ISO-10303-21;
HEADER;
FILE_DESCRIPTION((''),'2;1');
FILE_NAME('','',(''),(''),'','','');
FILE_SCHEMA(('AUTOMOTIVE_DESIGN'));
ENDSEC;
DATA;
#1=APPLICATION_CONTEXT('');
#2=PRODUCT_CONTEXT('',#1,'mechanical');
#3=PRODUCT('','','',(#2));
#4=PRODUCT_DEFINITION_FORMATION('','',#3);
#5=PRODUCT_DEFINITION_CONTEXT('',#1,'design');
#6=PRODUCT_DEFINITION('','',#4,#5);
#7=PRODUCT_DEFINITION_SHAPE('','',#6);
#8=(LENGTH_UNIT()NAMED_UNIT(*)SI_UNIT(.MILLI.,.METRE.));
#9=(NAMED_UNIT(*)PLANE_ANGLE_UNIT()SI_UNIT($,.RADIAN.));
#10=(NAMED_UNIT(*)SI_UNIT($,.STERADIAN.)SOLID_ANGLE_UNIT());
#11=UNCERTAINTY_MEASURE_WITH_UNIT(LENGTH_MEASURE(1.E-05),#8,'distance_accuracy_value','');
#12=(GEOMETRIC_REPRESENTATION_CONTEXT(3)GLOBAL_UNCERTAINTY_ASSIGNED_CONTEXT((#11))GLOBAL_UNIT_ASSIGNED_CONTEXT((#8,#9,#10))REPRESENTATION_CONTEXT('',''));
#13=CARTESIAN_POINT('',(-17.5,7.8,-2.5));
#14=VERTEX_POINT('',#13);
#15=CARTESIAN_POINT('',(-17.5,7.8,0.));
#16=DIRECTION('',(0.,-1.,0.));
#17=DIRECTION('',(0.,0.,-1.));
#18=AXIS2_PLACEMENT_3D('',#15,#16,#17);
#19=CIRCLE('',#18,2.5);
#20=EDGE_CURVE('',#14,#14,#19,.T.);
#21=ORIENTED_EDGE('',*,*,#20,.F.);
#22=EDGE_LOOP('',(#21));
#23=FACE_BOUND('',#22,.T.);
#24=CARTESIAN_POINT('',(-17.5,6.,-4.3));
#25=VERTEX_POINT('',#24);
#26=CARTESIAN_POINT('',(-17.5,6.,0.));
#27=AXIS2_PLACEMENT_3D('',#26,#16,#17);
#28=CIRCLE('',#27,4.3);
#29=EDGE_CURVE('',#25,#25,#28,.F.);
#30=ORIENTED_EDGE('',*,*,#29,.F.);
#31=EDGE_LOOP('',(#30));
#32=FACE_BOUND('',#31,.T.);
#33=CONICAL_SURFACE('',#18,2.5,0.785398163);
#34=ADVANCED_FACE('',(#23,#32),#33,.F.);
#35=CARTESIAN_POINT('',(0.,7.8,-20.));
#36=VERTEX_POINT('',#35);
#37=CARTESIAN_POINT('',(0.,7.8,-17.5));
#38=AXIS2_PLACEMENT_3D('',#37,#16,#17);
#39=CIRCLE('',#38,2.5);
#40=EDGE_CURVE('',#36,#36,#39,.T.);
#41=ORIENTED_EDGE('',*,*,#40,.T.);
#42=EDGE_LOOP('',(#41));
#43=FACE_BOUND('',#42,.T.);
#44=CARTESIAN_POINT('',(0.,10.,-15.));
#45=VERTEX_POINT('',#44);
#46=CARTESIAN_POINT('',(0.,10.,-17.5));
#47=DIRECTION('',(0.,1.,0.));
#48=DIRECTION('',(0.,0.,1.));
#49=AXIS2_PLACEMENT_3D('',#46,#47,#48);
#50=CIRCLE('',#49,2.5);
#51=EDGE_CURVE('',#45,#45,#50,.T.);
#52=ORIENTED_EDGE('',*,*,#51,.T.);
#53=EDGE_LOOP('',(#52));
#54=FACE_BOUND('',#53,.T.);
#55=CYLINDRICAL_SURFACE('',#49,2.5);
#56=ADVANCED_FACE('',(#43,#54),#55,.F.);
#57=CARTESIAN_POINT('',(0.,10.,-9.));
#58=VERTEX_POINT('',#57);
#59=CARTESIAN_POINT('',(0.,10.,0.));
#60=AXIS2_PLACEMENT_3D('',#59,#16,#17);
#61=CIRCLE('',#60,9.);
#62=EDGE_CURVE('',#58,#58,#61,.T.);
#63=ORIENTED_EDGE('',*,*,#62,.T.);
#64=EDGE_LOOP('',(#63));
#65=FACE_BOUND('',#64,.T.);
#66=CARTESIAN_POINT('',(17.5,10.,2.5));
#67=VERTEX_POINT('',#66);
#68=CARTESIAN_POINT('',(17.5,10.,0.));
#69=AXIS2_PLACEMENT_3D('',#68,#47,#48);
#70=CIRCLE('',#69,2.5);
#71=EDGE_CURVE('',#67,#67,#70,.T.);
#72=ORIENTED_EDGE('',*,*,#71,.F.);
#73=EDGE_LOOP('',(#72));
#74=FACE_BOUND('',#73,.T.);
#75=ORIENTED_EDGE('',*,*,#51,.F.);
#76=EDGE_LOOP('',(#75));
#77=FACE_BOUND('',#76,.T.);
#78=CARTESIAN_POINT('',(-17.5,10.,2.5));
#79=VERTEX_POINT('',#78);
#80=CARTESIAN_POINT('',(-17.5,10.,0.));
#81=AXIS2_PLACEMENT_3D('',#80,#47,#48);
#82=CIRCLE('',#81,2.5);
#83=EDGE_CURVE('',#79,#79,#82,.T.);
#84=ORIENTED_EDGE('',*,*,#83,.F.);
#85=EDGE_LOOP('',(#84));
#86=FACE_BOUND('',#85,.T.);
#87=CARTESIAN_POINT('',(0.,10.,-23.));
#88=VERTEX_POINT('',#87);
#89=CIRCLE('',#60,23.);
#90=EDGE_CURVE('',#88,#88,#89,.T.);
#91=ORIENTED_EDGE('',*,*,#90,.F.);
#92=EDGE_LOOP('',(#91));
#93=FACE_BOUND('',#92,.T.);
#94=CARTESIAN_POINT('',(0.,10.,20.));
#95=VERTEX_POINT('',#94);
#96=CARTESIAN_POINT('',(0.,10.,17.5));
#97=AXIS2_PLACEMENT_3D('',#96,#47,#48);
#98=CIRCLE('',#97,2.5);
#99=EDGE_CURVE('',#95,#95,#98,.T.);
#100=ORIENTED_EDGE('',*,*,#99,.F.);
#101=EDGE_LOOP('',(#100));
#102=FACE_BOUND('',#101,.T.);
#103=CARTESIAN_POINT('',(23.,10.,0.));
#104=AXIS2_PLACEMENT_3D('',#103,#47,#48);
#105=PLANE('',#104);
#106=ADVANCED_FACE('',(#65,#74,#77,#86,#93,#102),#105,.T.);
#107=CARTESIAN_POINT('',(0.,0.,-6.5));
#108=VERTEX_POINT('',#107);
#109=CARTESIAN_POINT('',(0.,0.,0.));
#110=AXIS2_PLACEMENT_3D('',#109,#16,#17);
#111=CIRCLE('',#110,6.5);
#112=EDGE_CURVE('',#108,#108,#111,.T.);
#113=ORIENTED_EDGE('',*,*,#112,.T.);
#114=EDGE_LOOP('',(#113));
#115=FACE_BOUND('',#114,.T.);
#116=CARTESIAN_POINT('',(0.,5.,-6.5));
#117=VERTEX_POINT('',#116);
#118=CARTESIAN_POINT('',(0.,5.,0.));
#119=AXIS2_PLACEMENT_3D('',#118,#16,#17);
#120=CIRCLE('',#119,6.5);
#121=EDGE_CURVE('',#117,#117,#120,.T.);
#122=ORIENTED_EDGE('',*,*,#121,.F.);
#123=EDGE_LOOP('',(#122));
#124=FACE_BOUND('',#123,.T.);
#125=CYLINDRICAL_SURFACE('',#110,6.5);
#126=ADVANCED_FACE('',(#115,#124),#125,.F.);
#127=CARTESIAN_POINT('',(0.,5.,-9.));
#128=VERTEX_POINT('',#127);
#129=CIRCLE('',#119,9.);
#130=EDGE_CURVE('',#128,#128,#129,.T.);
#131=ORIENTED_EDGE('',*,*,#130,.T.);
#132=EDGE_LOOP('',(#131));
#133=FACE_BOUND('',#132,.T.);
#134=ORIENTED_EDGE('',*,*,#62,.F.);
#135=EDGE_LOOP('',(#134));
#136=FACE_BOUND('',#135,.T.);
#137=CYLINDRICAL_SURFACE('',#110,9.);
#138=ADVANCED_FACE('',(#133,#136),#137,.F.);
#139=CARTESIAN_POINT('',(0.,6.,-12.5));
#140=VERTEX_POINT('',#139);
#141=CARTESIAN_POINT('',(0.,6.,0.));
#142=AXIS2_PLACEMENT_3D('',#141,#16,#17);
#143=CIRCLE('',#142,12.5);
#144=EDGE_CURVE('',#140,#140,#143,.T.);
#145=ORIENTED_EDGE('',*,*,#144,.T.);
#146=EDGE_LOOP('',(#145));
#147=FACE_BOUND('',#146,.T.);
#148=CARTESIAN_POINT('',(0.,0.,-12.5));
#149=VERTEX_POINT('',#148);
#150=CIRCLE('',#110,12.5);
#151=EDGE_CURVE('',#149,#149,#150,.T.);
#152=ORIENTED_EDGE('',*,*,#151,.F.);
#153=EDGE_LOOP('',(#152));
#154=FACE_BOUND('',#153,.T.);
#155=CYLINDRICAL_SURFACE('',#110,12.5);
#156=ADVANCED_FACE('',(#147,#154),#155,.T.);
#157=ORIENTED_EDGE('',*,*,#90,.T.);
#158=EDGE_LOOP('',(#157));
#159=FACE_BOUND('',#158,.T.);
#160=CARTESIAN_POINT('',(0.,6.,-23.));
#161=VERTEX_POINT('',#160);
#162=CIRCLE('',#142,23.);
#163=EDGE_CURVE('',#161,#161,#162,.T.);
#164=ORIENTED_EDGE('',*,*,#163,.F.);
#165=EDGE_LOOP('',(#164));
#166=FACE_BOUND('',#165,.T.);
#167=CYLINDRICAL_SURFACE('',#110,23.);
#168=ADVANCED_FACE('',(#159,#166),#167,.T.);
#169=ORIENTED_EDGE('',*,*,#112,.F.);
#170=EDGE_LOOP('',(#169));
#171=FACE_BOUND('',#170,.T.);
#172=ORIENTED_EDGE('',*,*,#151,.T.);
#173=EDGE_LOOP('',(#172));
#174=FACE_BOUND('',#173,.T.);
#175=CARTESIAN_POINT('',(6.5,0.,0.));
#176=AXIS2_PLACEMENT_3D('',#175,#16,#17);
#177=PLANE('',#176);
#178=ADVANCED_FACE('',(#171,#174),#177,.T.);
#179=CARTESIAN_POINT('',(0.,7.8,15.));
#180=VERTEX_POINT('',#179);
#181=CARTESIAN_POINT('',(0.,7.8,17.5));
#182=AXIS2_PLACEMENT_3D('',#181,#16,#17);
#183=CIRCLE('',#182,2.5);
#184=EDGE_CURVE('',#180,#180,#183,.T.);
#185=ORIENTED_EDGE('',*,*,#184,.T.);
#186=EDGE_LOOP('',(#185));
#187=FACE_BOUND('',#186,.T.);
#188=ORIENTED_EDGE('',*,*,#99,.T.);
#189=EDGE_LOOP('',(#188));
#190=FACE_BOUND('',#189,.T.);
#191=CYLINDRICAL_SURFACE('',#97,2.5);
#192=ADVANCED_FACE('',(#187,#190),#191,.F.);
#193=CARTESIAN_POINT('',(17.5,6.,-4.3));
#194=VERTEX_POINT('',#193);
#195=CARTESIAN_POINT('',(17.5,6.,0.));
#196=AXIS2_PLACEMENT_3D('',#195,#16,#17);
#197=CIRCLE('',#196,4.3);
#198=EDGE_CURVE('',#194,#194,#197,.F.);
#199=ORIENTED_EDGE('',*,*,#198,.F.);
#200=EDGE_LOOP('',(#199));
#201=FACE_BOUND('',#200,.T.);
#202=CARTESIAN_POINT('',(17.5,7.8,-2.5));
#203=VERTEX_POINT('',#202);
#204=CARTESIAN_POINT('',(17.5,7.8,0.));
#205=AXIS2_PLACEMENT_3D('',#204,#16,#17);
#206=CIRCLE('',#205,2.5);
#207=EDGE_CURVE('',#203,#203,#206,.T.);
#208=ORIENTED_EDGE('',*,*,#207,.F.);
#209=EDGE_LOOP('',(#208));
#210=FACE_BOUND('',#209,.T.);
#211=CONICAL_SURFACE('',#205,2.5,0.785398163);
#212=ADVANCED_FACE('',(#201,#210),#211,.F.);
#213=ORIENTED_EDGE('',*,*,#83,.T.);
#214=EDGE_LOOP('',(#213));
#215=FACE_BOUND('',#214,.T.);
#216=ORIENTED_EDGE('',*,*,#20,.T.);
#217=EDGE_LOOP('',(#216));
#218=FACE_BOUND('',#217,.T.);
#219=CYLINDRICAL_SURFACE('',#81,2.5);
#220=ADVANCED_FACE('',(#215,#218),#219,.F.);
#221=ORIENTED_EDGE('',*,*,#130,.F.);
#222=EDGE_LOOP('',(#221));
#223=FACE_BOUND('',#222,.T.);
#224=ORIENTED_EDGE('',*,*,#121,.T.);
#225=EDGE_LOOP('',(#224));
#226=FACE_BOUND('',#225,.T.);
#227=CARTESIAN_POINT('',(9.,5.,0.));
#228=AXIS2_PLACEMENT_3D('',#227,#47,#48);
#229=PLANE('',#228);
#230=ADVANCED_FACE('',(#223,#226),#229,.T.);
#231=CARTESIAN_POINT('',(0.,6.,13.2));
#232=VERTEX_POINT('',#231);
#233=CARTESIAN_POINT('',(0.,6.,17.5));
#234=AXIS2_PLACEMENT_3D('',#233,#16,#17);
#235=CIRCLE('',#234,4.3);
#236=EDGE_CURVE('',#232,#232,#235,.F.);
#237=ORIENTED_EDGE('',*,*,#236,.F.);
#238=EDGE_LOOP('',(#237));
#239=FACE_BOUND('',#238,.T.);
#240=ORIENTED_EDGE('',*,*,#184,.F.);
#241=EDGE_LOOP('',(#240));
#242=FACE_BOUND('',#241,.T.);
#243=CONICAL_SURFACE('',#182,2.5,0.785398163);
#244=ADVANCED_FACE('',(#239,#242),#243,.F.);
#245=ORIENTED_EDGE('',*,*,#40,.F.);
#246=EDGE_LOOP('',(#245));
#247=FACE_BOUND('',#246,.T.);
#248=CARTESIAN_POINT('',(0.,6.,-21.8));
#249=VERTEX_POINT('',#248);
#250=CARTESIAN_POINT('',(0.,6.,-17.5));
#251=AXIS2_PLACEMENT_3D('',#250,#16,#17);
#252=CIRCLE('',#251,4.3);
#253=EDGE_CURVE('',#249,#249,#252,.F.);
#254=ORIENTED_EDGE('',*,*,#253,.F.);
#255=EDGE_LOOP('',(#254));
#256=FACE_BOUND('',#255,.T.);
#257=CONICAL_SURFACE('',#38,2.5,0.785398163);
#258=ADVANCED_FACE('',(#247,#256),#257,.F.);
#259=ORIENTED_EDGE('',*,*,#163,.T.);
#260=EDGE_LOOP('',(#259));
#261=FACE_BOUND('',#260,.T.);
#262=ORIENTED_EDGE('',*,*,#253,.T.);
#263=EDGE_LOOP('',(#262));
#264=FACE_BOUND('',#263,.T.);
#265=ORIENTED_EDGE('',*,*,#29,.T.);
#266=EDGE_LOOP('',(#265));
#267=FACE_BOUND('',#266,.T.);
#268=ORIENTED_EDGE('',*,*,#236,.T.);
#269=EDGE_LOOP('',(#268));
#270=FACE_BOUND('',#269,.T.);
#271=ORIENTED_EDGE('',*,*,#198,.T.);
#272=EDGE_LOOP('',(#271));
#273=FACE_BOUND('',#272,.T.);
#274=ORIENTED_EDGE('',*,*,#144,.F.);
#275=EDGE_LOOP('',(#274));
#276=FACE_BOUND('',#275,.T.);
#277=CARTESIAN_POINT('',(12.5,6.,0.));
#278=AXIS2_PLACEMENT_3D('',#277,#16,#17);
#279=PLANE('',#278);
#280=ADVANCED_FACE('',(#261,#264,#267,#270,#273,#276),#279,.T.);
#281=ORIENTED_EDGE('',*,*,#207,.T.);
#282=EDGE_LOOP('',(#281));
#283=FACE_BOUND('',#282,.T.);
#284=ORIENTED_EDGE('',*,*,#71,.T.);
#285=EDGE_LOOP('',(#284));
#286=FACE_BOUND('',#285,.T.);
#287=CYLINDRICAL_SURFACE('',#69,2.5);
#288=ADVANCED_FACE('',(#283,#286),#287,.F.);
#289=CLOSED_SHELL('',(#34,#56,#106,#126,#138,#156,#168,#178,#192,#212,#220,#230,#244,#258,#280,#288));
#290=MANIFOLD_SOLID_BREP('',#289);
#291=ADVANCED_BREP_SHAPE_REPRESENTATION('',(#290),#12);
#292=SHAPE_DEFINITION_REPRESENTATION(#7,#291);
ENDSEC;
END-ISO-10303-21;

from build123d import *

# Parameters (mm, degrees)
FORO_5_0_5_1_D                        = 5
SMUSSO1_SIZE                          = 1.8
RIPETIZIONECIRCOLARE1_COUNT           = 4
SMUSSO1_OF_RIPETIZIONECIRCOLARE1_SIZE = 1.8


with BuildPart() as part:
    # Schizzo1 → Rivoluzione1 (revolve)
    with BuildSketch(Plane.XY, mode=Mode.PRIVATE) as rivoluzione1_sk:
        Polygon((6.5, 0), (12.5, 0), (12.5, 6), (23, 6), (23, 10), (9, 10), (9, 5), (6.5, 5), align=None)
    revolve(rivoluzione1_sk.sketch.rotate(Axis((0, 0, 0), (0, 1, 0)), 90), axis=Axis((0, 0, 0), (0, 1, 0)))

    # Foro Ø5.0 (5)-1 (through all)
    with Locations(Plane(origin=(0, 10, 0), x_dir=(1, 0, 0), z_dir=(0, 1, 0))):
        with Locations((17.5, 0)):
            foro_5_0_5_1 = Hole(FORO_5_0_5_1_D / 2)

    # Smusso1
    smusso1_edges = [part.edges().sort_by_distance(p)[0] for p in [
        (20, 6, 0),
    ]]
    chamfer(smusso1_edges, length=SMUSSO1_SIZE)

    # RipetizioneCircolare1: Foro Ø5.0 (5)-1 ×4 about axis
    ripetizionecircolare1_axis = Axis((0, 0, 0), (0, 1, 0))
    for i in range(1, RIPETIZIONECIRCOLARE1_COUNT):
        add(foro_5_0_5_1.rotate(ripetizionecircolare1_axis, i * 360 / RIPETIZIONECIRCOLARE1_COUNT), mode=Mode.SUBTRACT)

    # Smusso1 of RipetizioneCircolare1
    smusso1_of_ripetizionecircolare1_edges = [part.edges().sort_by_distance(p)[0] for p in [
        (0, 6, -20),
        (-20, 6, 0),
        (0, 6, 20),
    ]]
    chamfer(smusso1_of_ripetizionecircolare1_edges, length=SMUSSO1_OF_RIPETIZIONECIRCOLARE1_SIZE)


solid = part.part
